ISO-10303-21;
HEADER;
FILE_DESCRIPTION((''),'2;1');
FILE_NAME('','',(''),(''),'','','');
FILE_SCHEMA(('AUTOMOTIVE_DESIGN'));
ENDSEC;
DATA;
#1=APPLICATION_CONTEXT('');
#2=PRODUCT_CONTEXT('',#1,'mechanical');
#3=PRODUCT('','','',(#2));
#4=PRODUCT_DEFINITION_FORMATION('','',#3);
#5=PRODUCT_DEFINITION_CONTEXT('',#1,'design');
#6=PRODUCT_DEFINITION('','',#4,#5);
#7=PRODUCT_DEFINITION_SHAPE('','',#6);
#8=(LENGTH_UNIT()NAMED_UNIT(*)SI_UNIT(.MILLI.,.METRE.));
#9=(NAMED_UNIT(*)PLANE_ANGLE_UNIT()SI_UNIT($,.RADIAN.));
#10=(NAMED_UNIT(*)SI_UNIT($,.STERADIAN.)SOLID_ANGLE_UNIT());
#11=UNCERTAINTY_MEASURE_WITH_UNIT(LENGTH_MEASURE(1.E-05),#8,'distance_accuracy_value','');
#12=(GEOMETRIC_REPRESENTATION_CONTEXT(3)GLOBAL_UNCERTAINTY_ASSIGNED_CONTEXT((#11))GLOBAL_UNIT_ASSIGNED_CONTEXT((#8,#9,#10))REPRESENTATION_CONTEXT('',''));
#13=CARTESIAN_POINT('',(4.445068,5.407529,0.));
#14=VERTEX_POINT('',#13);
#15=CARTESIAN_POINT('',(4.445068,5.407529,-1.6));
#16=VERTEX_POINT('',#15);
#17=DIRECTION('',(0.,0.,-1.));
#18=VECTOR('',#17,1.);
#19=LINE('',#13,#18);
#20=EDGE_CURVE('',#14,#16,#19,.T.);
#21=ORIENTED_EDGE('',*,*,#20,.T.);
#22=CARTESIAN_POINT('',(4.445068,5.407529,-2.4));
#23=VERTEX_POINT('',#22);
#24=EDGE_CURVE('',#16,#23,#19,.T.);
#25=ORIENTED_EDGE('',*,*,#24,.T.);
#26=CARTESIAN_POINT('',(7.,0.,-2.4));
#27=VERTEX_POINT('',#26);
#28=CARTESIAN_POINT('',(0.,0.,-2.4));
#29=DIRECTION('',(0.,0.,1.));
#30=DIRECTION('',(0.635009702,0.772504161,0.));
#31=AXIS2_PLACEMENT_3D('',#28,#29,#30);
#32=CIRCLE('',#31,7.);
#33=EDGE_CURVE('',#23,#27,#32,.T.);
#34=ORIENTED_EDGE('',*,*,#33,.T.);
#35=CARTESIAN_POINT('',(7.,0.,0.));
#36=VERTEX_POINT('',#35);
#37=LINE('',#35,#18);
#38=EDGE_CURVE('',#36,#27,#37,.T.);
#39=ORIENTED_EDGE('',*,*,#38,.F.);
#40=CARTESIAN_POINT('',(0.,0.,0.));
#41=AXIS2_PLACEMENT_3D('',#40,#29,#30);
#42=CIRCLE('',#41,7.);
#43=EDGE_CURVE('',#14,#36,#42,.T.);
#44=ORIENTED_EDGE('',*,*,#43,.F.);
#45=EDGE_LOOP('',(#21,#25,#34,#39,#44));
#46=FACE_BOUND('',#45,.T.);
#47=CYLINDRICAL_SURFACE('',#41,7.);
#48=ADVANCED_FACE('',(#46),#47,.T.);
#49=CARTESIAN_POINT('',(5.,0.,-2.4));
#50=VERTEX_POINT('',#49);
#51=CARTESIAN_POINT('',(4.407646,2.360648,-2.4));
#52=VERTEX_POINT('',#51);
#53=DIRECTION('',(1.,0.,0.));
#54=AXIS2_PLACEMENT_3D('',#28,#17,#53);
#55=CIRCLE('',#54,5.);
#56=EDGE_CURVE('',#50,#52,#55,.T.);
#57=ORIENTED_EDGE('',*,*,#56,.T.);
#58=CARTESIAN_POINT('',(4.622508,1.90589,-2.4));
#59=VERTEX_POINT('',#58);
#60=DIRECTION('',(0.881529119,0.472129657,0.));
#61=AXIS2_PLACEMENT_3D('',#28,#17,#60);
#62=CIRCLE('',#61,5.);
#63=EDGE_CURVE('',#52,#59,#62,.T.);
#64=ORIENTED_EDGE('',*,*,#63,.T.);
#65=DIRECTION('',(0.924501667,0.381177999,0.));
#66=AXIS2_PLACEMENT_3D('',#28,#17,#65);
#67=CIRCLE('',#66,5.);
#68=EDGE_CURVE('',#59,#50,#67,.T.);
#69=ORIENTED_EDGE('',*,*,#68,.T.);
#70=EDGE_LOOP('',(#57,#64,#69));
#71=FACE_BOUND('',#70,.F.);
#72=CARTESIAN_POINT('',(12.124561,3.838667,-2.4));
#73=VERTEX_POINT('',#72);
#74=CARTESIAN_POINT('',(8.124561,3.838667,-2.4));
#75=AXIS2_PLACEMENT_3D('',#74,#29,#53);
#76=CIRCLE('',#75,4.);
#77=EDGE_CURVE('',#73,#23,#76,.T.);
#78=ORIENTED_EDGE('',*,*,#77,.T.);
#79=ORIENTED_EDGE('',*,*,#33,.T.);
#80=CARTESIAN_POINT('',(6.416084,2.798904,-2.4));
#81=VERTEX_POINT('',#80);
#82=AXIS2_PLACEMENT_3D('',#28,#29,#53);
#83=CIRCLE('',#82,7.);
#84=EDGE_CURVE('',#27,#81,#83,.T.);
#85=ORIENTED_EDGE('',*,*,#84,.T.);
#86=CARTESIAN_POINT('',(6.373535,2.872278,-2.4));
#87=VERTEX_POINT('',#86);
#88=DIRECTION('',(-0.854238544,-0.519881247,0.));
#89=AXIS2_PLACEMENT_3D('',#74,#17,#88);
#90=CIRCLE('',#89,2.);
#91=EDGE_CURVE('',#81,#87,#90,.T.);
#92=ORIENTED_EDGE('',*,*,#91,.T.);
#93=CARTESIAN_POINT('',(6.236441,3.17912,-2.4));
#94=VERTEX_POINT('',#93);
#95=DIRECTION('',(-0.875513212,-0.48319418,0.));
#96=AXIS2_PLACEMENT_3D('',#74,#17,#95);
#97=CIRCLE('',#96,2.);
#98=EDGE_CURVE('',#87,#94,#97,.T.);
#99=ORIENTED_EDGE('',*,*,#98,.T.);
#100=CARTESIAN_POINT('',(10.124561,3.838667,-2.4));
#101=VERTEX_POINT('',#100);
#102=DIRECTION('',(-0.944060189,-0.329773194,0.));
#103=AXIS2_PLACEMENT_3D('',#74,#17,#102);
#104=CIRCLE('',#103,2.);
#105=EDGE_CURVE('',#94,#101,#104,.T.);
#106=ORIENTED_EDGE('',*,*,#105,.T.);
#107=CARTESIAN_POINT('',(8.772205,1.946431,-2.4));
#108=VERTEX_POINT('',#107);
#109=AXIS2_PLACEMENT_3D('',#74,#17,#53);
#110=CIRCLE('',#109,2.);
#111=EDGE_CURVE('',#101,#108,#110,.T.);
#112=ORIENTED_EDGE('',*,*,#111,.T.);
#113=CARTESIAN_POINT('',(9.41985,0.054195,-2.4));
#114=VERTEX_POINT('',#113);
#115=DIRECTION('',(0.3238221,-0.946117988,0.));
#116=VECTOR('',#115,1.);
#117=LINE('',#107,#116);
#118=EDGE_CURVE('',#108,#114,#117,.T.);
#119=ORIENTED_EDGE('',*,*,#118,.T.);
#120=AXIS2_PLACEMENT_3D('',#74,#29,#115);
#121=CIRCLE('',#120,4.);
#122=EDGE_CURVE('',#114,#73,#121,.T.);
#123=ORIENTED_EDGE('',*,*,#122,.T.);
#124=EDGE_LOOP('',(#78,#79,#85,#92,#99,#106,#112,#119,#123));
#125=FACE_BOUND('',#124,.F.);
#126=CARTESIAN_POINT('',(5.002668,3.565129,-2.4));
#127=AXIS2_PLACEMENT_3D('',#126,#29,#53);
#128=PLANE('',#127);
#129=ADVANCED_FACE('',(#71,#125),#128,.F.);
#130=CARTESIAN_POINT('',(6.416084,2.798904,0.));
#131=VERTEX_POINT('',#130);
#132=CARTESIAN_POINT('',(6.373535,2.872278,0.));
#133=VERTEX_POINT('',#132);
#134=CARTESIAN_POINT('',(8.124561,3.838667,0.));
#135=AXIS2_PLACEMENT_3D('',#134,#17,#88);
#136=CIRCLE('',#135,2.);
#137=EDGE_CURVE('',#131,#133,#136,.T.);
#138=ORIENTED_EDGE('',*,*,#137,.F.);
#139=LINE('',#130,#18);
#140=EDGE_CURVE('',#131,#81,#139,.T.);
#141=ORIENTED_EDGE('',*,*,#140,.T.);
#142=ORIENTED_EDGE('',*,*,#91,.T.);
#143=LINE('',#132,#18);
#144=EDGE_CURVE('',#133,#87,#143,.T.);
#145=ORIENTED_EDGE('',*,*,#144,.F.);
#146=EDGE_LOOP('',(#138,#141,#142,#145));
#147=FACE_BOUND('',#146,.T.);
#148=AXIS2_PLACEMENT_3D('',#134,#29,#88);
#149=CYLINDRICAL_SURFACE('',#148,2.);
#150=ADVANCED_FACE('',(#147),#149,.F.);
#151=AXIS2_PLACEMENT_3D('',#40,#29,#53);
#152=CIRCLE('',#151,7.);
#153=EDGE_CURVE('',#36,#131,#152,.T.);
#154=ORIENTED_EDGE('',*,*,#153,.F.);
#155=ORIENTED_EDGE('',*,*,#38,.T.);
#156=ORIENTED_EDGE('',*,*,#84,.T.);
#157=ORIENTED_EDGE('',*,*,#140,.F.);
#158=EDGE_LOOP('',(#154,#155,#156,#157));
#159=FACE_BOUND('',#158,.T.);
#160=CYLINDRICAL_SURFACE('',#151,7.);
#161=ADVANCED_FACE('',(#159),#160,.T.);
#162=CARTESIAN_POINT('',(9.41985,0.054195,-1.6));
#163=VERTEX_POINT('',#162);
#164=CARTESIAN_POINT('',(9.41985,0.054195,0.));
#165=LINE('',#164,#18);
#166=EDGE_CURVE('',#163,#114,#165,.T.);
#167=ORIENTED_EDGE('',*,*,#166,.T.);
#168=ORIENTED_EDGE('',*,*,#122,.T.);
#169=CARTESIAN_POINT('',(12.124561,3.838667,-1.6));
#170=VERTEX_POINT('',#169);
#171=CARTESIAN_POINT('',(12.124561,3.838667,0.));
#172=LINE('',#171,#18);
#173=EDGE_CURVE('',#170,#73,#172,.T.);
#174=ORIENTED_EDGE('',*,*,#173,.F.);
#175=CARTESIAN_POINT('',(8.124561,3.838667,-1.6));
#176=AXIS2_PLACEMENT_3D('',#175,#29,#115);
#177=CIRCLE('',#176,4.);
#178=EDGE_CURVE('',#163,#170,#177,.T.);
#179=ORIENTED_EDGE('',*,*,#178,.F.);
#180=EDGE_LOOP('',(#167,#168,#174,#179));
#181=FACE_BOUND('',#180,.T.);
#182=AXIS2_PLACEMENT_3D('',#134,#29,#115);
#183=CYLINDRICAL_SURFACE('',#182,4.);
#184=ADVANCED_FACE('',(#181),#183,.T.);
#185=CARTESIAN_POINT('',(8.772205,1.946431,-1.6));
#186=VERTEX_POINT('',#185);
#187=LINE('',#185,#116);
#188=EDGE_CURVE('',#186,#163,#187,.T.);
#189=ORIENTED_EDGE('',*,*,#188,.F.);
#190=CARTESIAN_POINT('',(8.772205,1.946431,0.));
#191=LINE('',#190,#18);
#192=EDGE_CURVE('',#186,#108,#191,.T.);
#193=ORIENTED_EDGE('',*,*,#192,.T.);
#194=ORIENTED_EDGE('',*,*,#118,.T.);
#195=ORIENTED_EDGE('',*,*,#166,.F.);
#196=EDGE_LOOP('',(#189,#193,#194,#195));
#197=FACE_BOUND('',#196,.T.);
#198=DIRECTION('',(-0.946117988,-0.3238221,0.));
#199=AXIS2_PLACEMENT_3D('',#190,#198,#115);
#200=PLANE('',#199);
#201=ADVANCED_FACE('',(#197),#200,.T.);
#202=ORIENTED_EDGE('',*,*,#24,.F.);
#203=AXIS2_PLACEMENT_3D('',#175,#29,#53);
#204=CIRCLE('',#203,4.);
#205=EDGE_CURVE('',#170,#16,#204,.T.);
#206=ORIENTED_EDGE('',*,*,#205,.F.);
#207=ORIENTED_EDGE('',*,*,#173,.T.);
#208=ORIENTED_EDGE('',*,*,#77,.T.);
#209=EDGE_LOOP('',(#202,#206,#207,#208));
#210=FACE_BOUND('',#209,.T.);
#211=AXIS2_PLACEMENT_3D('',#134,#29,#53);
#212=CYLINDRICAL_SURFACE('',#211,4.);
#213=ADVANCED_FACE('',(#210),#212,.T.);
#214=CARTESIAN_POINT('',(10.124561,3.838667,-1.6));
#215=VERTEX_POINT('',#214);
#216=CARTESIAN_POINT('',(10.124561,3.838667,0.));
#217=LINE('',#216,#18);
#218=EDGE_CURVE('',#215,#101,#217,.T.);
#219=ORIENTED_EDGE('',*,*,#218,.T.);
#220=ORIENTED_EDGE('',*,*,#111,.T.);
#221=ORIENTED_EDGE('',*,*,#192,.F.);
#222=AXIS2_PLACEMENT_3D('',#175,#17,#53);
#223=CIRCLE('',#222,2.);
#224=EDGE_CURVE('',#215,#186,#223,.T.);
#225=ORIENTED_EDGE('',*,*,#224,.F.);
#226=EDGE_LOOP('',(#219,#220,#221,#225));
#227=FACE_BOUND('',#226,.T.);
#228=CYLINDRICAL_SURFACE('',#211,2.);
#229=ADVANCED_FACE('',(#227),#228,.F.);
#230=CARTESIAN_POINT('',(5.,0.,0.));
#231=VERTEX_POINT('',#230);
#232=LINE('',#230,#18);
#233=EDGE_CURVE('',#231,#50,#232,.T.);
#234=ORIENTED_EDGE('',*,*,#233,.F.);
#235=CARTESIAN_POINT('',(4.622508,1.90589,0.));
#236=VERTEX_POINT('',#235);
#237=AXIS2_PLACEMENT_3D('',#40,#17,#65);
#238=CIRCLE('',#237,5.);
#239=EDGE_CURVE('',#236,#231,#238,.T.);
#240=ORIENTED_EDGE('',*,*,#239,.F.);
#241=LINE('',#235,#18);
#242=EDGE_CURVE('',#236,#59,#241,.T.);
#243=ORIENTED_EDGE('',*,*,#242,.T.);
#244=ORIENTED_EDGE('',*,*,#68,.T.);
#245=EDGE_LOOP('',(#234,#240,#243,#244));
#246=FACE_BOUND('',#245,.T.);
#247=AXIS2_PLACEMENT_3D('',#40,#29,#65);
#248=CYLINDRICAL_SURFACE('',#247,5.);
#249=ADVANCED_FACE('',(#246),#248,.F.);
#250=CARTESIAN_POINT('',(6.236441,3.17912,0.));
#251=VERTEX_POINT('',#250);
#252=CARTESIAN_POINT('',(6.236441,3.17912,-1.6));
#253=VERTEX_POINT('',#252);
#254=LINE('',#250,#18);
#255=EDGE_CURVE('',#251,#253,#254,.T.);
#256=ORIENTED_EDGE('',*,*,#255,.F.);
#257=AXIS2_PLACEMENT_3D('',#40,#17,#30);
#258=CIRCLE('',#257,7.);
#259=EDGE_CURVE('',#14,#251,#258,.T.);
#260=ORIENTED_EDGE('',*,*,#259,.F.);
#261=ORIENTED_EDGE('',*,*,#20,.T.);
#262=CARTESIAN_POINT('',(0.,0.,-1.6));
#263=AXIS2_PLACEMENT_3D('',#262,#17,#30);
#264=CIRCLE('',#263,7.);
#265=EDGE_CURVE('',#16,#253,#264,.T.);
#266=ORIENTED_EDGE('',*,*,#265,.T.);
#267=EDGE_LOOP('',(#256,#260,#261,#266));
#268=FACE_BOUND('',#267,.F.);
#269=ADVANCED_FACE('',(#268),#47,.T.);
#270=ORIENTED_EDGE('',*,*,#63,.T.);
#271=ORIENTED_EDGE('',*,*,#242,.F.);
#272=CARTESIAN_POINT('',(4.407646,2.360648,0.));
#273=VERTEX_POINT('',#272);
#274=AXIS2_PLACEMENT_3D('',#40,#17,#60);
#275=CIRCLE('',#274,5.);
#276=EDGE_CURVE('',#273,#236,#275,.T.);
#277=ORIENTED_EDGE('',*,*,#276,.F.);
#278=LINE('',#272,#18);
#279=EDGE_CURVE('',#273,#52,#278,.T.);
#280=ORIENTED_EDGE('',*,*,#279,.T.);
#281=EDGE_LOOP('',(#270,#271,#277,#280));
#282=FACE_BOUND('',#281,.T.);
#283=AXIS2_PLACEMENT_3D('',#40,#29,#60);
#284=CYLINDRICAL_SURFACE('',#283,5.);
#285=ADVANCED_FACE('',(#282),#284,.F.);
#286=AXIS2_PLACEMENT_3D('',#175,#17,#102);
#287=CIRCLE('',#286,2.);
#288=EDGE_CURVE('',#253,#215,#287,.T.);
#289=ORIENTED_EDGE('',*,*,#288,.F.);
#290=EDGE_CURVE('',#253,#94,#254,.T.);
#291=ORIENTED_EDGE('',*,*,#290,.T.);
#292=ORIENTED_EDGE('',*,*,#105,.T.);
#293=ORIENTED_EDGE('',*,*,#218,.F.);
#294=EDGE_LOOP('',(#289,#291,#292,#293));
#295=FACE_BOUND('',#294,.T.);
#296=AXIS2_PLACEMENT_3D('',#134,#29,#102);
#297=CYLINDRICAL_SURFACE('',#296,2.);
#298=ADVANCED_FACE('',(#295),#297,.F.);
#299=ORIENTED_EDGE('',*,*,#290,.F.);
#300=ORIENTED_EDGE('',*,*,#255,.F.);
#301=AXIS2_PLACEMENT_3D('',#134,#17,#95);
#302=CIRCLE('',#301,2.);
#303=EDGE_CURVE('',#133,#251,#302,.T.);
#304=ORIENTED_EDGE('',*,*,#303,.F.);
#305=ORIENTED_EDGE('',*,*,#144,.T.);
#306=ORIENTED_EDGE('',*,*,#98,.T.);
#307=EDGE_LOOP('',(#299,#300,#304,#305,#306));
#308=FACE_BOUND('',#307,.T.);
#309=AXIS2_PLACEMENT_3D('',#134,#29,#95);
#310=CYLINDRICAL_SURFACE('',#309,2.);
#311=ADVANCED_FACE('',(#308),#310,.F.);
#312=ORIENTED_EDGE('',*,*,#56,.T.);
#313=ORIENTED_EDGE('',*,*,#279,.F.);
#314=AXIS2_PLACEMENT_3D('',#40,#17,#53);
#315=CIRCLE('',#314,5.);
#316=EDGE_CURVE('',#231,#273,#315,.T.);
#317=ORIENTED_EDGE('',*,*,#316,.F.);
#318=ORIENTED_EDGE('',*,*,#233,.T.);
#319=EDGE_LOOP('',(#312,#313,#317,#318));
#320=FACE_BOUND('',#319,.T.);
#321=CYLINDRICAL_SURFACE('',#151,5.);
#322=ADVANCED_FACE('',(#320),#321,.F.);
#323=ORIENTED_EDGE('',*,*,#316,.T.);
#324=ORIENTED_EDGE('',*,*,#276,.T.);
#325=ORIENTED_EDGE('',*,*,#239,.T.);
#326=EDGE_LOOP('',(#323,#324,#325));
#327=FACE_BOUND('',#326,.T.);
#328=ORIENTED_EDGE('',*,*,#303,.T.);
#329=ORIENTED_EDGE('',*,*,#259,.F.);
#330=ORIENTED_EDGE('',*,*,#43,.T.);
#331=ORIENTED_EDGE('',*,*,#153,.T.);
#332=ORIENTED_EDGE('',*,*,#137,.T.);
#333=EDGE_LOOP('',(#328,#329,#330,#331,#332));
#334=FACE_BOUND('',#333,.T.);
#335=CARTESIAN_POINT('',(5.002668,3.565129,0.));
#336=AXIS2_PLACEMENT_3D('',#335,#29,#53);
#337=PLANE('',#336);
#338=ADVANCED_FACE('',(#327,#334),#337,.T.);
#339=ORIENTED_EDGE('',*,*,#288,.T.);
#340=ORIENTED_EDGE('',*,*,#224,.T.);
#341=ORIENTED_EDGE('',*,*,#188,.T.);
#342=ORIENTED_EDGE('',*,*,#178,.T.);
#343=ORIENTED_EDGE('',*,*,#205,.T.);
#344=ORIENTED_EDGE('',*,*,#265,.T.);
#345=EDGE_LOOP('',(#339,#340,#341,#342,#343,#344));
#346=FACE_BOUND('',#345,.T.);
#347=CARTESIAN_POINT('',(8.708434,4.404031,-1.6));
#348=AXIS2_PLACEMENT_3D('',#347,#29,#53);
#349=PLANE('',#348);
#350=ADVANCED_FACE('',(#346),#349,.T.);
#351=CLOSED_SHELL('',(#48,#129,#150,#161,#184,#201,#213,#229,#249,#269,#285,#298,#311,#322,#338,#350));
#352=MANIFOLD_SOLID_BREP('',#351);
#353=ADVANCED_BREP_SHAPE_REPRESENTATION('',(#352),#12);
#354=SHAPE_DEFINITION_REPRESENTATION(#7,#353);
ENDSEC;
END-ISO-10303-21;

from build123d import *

# Parameters (mm, degrees)
F1_DEPTH = 2.4
F2_DEPTH = 1.6


with BuildPart() as f1:
    # F0 (on Top) → F1 (new body)
    with BuildSketch(Plane.XY):
        with BuildLine():
            ThreePointArc((6.2364408078, 3.1791203265), (5.4557408837, 4.3857600721), (4.4450679147, 5.4075291247))
            ThreePointArc((4.4450679147, 5.4075291247), (4.1248628557, 3.8877917046), (4.4076455939, 2.3606482835))
            ThreePointArc((4.4076455939, 2.3606482835), (4.5207987432, 2.1359725475), (4.6225083364, 1.9058899968))
            Line((4.6225083364, 1.9058899968), (6.3735347613, 2.8722783552))
            ThreePointArc((6.3735347613, 2.8722783552), (6.2985312404, 3.0228146209), (6.2364408078, 3.1791203265))
        make_face()
        with BuildLine():
            ThreePointArc((12.1245611862, 3.8386667137), (8.9251943462, 7.7577210056), (4.4450679147, 5.4075291247))
            ThreePointArc((4.4450679147, 5.4075291247), (5.4557408837, 4.3857600721), (6.2364408078, 3.1791203265))
            ThreePointArc((6.2364408078, 3.1791203265), (7.7900770735, 5.8104984454), (10.1245611862, 3.8386667137))
            ThreePointArc((10.1245611862, 3.8386667137), (9.7517195067, 2.6757583768), (8.7722053863, 1.9464307373))
            Line((8.7722053863, 1.9464307373), (9.4198495864, 0.054194761))
            ThreePointArc((9.4198495864, 0.054194761), (11.3788778273, 1.51285004), (12.1245611862, 3.8386667137))
        make_face()
        with BuildLine():
            ThreePointArc((4.4450679147, 5.4075291247), (-6.3291182404, -2.9903615666), (7, 0))
            ThreePointArc((7, 0), (5.6226632008, 0.717688266), (4.6225083364, 1.9058899968))
            ThreePointArc((4.6225083364, 1.9058899968), (4.9047192418, 0.9714572348), (5, 0))
            ThreePointArc((5, 0), (-4.8496509137, -1.2169166016), (4.4076455939, 2.3606482835))
            ThreePointArc((4.4076455939, 2.3606482835), (4.1248628557, 3.8877917046), (4.4450679147, 5.4075291247))
        make_face()
        with BuildLine():
            ThreePointArc((4.6225083364, 1.9058899968), (5.6226632008, 0.717688266), (7, 0))
            ThreePointArc((7, 0), (6.8524662966, 1.4295823353), (6.416084099, 2.7989042203))
            ThreePointArc((6.416084099, 2.7989042203), (6.3944204178, 2.8353657012), (6.3735347613, 2.8722783552))
            Line((6.3735347613, 2.8722783552), (4.6225083364, 1.9058899968))
        make_face()
    extrude(amount=-F1_DEPTH)

    # F0 (on Top) → F2 (cut)
    with BuildSketch(Plane.XY):
        with BuildLine():
            ThreePointArc((12.1245611862, 3.8386667137), (8.9251943462, 7.7577210056), (4.4450679147, 5.4075291247))
            ThreePointArc((4.4450679147, 5.4075291247), (5.4557408837, 4.3857600721), (6.2364408078, 3.1791203265))
            ThreePointArc((6.2364408078, 3.1791203265), (7.7900770735, 5.8104984454), (10.1245611862, 3.8386667137))
            ThreePointArc((10.1245611862, 3.8386667137), (9.7517195067, 2.6757583768), (8.7722053863, 1.9464307373))
            Line((8.7722053863, 1.9464307373), (9.4198495864, 0.054194761))
            ThreePointArc((9.4198495864, 0.054194761), (11.3788778273, 1.51285004), (12.1245611862, 3.8386667137))
        make_face()
    extrude(amount=-F2_DEPTH, mode=Mode.SUBTRACT)


solid = f1.part
